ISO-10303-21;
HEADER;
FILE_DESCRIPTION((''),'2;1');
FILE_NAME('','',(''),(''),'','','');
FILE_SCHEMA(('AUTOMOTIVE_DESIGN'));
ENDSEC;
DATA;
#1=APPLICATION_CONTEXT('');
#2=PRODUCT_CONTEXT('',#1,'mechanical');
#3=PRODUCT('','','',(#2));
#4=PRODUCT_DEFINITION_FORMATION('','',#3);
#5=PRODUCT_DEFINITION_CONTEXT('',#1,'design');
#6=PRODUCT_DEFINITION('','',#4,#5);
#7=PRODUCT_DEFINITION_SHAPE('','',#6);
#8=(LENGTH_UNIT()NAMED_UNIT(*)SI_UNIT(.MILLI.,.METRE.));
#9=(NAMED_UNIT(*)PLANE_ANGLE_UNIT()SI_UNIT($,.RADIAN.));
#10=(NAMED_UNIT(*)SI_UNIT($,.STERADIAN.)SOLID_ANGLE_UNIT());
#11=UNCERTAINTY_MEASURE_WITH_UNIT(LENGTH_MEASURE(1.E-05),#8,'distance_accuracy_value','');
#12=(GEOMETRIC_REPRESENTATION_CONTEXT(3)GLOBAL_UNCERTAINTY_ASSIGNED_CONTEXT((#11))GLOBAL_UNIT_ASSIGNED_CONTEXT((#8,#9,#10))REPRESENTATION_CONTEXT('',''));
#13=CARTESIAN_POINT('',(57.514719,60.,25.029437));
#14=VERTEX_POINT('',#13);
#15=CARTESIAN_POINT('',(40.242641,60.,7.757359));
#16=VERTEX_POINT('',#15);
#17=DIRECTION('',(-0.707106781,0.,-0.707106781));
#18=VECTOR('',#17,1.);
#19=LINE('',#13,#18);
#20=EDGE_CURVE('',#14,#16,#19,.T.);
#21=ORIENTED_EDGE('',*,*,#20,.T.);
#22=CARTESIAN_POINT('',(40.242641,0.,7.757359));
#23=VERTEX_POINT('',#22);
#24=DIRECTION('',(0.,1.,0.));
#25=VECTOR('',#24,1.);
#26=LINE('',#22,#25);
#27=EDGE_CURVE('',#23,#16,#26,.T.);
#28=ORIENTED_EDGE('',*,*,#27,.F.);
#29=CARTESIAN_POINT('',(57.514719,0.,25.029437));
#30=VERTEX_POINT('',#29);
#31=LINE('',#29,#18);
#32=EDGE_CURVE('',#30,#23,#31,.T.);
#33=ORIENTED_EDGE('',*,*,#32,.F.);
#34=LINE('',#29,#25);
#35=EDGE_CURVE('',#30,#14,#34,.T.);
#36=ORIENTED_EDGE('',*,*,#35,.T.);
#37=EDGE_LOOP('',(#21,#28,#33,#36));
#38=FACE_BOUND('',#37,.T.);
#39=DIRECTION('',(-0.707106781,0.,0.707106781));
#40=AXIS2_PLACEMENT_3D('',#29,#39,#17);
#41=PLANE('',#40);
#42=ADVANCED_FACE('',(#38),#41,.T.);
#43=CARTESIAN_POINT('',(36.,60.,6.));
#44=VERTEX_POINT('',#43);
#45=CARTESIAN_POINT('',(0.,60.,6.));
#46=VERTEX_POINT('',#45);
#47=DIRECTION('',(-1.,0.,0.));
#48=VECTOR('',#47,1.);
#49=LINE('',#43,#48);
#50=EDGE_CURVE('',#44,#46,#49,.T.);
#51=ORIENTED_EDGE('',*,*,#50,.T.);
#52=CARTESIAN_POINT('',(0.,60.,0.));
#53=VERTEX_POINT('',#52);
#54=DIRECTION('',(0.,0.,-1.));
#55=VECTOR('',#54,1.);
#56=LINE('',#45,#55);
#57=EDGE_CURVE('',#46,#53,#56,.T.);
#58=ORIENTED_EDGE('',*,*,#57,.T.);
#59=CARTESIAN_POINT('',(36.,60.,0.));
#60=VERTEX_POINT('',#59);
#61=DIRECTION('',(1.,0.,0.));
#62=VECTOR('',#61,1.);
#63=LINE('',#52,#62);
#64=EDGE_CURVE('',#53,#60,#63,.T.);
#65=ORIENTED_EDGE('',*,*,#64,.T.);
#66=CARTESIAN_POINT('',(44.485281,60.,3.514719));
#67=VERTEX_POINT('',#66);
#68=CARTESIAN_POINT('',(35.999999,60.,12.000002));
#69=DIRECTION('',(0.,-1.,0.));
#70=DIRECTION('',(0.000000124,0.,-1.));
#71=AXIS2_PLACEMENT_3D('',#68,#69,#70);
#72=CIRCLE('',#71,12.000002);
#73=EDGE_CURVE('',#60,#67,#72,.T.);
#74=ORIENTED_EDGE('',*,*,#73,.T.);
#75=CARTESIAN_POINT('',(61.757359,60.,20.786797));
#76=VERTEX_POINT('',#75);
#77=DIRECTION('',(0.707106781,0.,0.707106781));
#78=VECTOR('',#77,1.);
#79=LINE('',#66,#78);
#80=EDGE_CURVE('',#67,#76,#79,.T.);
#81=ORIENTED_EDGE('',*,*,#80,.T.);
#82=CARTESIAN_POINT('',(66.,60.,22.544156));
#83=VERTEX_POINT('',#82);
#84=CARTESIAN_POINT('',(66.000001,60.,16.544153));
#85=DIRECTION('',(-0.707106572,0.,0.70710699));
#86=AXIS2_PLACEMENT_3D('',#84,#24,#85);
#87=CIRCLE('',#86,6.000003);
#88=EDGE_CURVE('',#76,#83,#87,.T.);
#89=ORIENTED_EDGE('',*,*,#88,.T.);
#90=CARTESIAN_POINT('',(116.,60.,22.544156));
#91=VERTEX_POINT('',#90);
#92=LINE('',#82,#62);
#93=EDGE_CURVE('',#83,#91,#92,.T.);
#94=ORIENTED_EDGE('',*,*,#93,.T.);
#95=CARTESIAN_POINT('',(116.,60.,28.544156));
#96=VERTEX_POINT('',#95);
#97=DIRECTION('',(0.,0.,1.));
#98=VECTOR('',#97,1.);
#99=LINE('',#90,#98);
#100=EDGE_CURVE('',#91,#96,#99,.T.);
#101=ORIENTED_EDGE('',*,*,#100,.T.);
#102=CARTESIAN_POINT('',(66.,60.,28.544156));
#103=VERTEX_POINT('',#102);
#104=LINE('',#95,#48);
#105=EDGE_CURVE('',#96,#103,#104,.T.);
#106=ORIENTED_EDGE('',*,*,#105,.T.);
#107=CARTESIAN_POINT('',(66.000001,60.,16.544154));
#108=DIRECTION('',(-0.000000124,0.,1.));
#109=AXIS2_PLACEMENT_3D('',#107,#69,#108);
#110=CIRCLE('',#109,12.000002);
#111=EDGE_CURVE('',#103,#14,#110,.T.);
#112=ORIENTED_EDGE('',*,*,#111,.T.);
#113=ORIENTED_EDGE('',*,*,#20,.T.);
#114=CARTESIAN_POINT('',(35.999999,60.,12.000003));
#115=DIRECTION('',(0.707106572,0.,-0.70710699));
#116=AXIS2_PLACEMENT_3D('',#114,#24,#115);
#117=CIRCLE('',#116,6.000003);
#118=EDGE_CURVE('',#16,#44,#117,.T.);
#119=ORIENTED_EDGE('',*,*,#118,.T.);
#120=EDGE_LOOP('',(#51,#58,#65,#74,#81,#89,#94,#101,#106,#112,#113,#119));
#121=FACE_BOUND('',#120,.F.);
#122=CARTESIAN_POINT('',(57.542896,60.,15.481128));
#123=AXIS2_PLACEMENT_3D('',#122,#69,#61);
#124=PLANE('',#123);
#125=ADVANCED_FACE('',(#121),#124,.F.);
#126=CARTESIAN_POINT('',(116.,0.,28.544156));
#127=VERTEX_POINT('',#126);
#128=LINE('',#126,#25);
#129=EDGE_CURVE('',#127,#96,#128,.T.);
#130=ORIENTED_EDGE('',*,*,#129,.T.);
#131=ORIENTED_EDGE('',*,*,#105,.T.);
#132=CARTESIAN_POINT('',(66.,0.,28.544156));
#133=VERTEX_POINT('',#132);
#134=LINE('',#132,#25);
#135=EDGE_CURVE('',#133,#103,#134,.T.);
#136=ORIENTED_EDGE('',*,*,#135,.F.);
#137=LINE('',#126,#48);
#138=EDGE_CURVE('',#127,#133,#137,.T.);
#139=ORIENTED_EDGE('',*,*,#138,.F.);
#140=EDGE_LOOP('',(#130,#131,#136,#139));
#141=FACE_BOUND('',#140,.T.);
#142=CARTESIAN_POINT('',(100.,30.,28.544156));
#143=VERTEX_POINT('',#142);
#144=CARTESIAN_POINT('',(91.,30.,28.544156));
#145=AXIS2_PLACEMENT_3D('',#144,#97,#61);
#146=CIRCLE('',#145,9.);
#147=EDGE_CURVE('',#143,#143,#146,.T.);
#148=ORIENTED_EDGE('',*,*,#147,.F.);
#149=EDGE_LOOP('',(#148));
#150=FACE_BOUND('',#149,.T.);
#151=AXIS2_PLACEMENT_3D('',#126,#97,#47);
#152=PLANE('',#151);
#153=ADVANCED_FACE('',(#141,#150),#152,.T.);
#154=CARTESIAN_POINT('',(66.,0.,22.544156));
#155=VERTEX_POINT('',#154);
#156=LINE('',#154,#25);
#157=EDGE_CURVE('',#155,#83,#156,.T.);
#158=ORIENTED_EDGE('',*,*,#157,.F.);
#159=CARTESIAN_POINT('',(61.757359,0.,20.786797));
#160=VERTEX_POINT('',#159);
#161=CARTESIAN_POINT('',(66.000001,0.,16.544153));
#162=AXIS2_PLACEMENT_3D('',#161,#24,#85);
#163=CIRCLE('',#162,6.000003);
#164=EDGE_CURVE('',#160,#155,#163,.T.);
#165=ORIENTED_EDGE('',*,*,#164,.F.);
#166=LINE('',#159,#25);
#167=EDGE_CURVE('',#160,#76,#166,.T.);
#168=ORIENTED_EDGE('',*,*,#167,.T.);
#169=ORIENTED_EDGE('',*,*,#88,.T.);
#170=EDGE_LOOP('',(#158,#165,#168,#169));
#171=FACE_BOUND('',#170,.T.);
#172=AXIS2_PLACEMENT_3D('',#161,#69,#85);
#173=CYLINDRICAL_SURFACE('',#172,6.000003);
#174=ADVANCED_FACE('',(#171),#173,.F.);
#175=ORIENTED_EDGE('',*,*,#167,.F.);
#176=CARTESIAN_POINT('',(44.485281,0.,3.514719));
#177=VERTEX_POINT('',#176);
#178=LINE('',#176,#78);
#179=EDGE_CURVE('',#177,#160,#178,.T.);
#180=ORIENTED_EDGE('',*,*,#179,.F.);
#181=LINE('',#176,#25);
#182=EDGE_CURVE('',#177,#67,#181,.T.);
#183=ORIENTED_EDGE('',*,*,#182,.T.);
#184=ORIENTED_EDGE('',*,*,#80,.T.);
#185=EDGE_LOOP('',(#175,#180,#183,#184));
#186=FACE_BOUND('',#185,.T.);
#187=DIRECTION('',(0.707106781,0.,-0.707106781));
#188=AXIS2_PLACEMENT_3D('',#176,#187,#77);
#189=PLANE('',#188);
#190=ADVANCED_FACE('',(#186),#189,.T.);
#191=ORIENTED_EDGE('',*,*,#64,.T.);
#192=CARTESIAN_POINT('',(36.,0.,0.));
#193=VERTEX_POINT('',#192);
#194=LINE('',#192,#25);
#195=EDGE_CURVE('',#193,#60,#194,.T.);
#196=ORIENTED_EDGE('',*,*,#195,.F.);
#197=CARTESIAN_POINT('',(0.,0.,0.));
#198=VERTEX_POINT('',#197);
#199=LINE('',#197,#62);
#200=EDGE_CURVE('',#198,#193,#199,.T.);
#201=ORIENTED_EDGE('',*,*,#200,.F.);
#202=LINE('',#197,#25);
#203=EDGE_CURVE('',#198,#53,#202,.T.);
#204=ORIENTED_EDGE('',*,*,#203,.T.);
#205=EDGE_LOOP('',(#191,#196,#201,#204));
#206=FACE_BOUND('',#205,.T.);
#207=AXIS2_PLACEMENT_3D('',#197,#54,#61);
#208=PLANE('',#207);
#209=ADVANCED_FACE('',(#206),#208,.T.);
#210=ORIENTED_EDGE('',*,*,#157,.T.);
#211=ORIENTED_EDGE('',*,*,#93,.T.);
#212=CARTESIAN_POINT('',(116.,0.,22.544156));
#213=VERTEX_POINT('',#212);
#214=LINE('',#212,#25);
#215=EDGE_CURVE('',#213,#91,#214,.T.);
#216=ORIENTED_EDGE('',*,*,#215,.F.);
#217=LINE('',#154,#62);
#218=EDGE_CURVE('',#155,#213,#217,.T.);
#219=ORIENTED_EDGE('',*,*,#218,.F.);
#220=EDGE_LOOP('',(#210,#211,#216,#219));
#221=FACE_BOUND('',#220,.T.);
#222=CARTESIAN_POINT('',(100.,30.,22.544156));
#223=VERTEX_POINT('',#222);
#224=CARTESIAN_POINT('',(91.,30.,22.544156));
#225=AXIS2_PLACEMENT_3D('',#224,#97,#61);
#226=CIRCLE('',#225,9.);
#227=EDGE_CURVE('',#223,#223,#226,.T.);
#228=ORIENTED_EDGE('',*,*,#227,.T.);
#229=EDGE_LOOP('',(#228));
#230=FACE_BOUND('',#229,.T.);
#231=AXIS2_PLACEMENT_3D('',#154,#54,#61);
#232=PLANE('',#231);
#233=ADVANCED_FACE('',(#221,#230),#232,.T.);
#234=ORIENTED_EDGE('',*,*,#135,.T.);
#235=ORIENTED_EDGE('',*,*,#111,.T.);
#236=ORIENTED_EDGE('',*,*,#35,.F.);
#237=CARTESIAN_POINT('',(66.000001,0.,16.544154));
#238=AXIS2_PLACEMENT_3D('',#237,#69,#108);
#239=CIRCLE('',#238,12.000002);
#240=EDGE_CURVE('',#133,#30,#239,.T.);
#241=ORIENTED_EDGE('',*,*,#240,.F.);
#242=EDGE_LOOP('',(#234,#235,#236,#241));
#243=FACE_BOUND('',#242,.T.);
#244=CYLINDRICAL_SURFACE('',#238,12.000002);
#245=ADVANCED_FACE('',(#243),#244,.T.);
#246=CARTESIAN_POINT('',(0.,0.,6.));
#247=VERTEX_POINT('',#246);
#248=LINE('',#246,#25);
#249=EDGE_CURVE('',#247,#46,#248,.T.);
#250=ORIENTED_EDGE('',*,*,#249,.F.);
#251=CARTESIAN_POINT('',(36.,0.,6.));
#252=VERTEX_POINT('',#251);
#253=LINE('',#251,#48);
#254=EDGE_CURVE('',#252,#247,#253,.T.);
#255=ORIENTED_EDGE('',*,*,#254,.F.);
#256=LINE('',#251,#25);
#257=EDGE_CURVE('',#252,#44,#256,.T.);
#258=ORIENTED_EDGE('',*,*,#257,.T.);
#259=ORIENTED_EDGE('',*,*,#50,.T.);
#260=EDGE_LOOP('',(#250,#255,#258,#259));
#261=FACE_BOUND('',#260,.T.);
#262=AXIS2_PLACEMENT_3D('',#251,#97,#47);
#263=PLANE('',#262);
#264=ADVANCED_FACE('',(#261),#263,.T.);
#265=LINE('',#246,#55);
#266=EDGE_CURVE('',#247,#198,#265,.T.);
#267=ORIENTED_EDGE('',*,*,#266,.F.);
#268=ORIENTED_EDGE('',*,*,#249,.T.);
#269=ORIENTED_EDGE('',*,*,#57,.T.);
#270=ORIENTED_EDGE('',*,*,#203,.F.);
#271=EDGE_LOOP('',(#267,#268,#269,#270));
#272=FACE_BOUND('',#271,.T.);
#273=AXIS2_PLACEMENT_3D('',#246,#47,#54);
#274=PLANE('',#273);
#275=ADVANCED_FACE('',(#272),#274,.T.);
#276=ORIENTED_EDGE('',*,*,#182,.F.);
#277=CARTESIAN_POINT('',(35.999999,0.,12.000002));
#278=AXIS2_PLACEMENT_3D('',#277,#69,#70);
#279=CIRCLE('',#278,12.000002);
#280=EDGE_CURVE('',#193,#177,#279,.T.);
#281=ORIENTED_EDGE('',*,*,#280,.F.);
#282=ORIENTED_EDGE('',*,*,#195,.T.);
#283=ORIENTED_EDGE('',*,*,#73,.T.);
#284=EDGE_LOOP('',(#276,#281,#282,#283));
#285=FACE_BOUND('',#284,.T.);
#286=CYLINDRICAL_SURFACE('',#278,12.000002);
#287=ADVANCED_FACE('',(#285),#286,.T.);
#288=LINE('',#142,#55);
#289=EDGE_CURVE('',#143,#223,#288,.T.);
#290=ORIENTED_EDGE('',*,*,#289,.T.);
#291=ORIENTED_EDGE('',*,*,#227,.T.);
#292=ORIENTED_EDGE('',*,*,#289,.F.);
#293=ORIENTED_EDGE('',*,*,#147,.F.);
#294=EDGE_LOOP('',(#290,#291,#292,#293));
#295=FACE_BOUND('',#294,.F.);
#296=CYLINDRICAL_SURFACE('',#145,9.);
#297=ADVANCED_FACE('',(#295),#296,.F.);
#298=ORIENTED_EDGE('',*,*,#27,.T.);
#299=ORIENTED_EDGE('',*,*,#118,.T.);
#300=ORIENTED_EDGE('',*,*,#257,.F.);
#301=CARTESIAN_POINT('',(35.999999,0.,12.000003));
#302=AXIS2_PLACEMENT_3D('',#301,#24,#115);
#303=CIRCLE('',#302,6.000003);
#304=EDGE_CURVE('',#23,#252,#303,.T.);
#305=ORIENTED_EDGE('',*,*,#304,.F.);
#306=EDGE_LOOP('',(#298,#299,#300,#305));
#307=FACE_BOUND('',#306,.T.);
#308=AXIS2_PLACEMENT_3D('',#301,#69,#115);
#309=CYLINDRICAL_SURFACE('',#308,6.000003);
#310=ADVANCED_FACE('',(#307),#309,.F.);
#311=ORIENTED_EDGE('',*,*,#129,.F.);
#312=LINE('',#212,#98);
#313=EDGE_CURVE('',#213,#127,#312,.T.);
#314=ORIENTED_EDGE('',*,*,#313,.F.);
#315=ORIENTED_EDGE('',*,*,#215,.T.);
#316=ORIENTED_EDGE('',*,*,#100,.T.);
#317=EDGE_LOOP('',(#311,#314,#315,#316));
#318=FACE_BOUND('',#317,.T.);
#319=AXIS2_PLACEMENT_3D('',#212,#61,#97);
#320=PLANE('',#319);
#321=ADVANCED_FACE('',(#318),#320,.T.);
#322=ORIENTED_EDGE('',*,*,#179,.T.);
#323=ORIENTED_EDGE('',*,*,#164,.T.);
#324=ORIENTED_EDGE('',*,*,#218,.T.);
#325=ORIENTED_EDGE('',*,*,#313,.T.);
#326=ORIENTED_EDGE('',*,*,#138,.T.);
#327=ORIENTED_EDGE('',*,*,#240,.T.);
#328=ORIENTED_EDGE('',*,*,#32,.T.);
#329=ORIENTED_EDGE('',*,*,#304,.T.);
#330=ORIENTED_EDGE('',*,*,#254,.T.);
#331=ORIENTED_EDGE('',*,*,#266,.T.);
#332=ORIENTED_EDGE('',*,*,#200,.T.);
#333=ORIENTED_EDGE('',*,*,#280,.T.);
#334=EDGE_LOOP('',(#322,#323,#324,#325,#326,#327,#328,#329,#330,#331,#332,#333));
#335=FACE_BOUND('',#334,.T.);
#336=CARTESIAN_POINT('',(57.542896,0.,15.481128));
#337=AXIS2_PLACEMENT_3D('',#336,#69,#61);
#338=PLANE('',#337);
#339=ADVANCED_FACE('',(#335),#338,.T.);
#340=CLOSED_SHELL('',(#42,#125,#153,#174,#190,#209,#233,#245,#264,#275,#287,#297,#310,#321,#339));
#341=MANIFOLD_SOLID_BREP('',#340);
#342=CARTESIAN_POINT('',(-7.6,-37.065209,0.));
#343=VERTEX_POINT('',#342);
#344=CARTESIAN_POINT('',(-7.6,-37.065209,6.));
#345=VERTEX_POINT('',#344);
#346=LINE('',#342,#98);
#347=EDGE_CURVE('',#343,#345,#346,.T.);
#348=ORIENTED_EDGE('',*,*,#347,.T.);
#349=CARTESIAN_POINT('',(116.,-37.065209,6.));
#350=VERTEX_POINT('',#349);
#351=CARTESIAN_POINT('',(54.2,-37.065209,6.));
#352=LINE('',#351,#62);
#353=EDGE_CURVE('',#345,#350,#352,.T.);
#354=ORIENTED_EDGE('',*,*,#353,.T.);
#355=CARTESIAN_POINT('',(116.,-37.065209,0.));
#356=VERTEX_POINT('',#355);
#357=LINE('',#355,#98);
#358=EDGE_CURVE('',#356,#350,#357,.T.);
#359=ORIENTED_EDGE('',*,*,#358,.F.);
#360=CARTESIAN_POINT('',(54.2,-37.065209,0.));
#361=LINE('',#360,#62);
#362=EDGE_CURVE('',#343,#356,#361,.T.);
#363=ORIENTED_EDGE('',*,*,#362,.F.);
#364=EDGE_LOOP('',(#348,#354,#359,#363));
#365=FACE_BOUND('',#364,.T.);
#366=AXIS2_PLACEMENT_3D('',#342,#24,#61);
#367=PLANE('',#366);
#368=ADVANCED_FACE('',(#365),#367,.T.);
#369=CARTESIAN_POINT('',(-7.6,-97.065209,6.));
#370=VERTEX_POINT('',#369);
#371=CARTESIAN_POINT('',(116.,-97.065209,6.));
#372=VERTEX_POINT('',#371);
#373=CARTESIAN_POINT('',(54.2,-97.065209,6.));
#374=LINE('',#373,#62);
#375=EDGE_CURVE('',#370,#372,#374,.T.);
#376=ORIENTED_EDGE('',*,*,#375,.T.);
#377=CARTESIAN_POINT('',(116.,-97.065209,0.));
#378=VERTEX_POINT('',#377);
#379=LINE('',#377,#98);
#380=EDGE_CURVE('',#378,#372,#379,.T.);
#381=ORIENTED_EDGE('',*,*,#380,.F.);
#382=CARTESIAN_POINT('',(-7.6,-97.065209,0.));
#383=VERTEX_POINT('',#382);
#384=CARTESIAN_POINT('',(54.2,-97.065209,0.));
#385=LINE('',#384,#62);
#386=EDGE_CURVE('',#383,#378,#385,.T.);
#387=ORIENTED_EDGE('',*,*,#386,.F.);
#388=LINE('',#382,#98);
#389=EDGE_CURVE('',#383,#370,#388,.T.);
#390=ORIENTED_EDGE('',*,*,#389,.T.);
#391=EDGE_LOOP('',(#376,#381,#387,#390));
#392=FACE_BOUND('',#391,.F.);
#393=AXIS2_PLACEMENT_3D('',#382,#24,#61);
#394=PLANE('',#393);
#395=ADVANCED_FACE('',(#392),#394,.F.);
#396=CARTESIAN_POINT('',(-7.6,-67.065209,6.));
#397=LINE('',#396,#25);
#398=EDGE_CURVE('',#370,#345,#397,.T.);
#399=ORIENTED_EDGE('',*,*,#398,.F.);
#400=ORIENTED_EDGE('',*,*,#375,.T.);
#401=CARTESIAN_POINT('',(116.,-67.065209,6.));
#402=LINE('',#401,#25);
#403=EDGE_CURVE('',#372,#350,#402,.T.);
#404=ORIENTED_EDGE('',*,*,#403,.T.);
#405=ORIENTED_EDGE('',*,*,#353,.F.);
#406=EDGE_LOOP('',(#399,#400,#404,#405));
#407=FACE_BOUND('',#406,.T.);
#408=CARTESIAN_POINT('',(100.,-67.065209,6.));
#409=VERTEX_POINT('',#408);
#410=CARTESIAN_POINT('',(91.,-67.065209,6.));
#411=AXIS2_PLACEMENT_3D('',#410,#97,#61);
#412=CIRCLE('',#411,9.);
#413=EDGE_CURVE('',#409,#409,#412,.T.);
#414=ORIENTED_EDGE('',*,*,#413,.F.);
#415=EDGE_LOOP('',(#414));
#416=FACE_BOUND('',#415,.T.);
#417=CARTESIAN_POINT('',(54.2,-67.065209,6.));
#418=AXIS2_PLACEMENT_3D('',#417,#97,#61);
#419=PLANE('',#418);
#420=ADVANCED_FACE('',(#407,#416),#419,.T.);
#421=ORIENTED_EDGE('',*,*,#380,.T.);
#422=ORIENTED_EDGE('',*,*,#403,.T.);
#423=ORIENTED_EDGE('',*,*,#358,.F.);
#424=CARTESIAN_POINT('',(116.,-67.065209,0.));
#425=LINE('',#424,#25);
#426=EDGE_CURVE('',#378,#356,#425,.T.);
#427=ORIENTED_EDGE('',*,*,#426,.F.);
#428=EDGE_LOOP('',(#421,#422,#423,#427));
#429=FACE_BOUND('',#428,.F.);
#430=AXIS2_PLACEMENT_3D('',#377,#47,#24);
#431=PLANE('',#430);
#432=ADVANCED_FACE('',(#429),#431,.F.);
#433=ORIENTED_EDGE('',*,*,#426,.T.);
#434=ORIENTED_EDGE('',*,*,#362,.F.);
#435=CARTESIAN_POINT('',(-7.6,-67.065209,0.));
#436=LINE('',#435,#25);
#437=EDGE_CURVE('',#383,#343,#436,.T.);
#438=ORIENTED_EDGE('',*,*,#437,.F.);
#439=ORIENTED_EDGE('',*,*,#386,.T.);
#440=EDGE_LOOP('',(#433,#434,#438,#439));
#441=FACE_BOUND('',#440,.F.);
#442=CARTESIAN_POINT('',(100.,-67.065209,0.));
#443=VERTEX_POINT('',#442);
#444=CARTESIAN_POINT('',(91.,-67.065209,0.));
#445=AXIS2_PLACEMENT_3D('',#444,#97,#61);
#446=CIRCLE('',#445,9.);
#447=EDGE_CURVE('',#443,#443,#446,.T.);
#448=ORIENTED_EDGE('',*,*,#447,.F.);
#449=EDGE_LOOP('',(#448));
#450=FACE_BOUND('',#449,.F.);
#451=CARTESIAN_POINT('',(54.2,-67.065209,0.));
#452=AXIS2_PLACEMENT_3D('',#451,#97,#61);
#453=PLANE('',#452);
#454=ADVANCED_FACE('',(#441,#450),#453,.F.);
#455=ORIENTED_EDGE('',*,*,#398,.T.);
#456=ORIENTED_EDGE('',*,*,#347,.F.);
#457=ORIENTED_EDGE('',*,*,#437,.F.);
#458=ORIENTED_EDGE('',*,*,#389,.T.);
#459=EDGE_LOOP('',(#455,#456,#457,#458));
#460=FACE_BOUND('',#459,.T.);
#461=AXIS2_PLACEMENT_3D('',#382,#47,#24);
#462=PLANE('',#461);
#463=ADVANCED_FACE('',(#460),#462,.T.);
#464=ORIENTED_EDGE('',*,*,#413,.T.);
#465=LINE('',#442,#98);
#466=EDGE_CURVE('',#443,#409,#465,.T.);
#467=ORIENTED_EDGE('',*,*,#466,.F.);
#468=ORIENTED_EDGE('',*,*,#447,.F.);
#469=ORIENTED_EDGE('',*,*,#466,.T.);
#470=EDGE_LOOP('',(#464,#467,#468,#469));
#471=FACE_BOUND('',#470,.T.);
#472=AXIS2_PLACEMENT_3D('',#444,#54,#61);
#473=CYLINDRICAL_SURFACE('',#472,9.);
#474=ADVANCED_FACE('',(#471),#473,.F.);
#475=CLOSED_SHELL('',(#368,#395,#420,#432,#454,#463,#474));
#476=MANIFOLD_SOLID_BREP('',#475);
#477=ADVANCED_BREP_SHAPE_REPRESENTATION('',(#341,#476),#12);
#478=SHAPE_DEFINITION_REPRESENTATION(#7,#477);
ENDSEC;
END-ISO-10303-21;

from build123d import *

# Parameters (mm, degrees)
F1_DEPTH = 60
F2_R     = 9
F3_DEPTH = 25
F4_W     = 123.6
F4_H     = 60
F4_R     = 9
F5_DEPTH = 6


with BuildPart() as f1:
    # F0 (on Front) → F1 (new body)
    with BuildSketch(Plane.XZ):
        with BuildLine():
            Line((0, 0), (36, 0))
            ThreePointArc((36, 0), (40.592201, 0.913446), (44.485281, 3.514719))
            Line((44.485281, 3.514719), (61.757359, 20.786797))
            ThreePointArc((61.757359, 20.786797), (63.703899, 22.087433), (66, 22.544156))
            Line((66, 22.544156), (116, 22.544156))
            Line((116, 22.544156), (116, 28.544156))
            Line((116, 28.544156), (66, 28.544156))
            ThreePointArc((66, 28.544156), (61.407799, 27.63071), (57.514719, 25.029437))
            Line((57.514719, 25.029437), (40.242641, 7.757359))
            ThreePointArc((40.242641, 7.757359), (38.296101, 6.456723), (36, 6))
            Line((36, 6), (0, 6))
            Line((0, 6), (0, 0))
        make_face()
    extrude(amount=-F1_DEPTH)

    # F2 (on face) → F3 (cut)
    with BuildSketch(Plane.XY.offset(28.544156)):
        with Locations((91, 30)):
            Circle(F2_R)
    extrude(amount=-F3_DEPTH, mode=Mode.SUBTRACT)


with BuildPart() as f5:
    # F4 (on Top) → F5 (new body)
    with BuildSketch(Plane.XY):
        with Locations((54.2, -67.065209)):
            Rectangle(F4_W, F4_H)
        with Locations((91, -67.065209)):
            Circle(F4_R, mode=Mode.SUBTRACT)
    extrude(amount=F5_DEPTH)


solid = Compound([f1.part, f5.part])
